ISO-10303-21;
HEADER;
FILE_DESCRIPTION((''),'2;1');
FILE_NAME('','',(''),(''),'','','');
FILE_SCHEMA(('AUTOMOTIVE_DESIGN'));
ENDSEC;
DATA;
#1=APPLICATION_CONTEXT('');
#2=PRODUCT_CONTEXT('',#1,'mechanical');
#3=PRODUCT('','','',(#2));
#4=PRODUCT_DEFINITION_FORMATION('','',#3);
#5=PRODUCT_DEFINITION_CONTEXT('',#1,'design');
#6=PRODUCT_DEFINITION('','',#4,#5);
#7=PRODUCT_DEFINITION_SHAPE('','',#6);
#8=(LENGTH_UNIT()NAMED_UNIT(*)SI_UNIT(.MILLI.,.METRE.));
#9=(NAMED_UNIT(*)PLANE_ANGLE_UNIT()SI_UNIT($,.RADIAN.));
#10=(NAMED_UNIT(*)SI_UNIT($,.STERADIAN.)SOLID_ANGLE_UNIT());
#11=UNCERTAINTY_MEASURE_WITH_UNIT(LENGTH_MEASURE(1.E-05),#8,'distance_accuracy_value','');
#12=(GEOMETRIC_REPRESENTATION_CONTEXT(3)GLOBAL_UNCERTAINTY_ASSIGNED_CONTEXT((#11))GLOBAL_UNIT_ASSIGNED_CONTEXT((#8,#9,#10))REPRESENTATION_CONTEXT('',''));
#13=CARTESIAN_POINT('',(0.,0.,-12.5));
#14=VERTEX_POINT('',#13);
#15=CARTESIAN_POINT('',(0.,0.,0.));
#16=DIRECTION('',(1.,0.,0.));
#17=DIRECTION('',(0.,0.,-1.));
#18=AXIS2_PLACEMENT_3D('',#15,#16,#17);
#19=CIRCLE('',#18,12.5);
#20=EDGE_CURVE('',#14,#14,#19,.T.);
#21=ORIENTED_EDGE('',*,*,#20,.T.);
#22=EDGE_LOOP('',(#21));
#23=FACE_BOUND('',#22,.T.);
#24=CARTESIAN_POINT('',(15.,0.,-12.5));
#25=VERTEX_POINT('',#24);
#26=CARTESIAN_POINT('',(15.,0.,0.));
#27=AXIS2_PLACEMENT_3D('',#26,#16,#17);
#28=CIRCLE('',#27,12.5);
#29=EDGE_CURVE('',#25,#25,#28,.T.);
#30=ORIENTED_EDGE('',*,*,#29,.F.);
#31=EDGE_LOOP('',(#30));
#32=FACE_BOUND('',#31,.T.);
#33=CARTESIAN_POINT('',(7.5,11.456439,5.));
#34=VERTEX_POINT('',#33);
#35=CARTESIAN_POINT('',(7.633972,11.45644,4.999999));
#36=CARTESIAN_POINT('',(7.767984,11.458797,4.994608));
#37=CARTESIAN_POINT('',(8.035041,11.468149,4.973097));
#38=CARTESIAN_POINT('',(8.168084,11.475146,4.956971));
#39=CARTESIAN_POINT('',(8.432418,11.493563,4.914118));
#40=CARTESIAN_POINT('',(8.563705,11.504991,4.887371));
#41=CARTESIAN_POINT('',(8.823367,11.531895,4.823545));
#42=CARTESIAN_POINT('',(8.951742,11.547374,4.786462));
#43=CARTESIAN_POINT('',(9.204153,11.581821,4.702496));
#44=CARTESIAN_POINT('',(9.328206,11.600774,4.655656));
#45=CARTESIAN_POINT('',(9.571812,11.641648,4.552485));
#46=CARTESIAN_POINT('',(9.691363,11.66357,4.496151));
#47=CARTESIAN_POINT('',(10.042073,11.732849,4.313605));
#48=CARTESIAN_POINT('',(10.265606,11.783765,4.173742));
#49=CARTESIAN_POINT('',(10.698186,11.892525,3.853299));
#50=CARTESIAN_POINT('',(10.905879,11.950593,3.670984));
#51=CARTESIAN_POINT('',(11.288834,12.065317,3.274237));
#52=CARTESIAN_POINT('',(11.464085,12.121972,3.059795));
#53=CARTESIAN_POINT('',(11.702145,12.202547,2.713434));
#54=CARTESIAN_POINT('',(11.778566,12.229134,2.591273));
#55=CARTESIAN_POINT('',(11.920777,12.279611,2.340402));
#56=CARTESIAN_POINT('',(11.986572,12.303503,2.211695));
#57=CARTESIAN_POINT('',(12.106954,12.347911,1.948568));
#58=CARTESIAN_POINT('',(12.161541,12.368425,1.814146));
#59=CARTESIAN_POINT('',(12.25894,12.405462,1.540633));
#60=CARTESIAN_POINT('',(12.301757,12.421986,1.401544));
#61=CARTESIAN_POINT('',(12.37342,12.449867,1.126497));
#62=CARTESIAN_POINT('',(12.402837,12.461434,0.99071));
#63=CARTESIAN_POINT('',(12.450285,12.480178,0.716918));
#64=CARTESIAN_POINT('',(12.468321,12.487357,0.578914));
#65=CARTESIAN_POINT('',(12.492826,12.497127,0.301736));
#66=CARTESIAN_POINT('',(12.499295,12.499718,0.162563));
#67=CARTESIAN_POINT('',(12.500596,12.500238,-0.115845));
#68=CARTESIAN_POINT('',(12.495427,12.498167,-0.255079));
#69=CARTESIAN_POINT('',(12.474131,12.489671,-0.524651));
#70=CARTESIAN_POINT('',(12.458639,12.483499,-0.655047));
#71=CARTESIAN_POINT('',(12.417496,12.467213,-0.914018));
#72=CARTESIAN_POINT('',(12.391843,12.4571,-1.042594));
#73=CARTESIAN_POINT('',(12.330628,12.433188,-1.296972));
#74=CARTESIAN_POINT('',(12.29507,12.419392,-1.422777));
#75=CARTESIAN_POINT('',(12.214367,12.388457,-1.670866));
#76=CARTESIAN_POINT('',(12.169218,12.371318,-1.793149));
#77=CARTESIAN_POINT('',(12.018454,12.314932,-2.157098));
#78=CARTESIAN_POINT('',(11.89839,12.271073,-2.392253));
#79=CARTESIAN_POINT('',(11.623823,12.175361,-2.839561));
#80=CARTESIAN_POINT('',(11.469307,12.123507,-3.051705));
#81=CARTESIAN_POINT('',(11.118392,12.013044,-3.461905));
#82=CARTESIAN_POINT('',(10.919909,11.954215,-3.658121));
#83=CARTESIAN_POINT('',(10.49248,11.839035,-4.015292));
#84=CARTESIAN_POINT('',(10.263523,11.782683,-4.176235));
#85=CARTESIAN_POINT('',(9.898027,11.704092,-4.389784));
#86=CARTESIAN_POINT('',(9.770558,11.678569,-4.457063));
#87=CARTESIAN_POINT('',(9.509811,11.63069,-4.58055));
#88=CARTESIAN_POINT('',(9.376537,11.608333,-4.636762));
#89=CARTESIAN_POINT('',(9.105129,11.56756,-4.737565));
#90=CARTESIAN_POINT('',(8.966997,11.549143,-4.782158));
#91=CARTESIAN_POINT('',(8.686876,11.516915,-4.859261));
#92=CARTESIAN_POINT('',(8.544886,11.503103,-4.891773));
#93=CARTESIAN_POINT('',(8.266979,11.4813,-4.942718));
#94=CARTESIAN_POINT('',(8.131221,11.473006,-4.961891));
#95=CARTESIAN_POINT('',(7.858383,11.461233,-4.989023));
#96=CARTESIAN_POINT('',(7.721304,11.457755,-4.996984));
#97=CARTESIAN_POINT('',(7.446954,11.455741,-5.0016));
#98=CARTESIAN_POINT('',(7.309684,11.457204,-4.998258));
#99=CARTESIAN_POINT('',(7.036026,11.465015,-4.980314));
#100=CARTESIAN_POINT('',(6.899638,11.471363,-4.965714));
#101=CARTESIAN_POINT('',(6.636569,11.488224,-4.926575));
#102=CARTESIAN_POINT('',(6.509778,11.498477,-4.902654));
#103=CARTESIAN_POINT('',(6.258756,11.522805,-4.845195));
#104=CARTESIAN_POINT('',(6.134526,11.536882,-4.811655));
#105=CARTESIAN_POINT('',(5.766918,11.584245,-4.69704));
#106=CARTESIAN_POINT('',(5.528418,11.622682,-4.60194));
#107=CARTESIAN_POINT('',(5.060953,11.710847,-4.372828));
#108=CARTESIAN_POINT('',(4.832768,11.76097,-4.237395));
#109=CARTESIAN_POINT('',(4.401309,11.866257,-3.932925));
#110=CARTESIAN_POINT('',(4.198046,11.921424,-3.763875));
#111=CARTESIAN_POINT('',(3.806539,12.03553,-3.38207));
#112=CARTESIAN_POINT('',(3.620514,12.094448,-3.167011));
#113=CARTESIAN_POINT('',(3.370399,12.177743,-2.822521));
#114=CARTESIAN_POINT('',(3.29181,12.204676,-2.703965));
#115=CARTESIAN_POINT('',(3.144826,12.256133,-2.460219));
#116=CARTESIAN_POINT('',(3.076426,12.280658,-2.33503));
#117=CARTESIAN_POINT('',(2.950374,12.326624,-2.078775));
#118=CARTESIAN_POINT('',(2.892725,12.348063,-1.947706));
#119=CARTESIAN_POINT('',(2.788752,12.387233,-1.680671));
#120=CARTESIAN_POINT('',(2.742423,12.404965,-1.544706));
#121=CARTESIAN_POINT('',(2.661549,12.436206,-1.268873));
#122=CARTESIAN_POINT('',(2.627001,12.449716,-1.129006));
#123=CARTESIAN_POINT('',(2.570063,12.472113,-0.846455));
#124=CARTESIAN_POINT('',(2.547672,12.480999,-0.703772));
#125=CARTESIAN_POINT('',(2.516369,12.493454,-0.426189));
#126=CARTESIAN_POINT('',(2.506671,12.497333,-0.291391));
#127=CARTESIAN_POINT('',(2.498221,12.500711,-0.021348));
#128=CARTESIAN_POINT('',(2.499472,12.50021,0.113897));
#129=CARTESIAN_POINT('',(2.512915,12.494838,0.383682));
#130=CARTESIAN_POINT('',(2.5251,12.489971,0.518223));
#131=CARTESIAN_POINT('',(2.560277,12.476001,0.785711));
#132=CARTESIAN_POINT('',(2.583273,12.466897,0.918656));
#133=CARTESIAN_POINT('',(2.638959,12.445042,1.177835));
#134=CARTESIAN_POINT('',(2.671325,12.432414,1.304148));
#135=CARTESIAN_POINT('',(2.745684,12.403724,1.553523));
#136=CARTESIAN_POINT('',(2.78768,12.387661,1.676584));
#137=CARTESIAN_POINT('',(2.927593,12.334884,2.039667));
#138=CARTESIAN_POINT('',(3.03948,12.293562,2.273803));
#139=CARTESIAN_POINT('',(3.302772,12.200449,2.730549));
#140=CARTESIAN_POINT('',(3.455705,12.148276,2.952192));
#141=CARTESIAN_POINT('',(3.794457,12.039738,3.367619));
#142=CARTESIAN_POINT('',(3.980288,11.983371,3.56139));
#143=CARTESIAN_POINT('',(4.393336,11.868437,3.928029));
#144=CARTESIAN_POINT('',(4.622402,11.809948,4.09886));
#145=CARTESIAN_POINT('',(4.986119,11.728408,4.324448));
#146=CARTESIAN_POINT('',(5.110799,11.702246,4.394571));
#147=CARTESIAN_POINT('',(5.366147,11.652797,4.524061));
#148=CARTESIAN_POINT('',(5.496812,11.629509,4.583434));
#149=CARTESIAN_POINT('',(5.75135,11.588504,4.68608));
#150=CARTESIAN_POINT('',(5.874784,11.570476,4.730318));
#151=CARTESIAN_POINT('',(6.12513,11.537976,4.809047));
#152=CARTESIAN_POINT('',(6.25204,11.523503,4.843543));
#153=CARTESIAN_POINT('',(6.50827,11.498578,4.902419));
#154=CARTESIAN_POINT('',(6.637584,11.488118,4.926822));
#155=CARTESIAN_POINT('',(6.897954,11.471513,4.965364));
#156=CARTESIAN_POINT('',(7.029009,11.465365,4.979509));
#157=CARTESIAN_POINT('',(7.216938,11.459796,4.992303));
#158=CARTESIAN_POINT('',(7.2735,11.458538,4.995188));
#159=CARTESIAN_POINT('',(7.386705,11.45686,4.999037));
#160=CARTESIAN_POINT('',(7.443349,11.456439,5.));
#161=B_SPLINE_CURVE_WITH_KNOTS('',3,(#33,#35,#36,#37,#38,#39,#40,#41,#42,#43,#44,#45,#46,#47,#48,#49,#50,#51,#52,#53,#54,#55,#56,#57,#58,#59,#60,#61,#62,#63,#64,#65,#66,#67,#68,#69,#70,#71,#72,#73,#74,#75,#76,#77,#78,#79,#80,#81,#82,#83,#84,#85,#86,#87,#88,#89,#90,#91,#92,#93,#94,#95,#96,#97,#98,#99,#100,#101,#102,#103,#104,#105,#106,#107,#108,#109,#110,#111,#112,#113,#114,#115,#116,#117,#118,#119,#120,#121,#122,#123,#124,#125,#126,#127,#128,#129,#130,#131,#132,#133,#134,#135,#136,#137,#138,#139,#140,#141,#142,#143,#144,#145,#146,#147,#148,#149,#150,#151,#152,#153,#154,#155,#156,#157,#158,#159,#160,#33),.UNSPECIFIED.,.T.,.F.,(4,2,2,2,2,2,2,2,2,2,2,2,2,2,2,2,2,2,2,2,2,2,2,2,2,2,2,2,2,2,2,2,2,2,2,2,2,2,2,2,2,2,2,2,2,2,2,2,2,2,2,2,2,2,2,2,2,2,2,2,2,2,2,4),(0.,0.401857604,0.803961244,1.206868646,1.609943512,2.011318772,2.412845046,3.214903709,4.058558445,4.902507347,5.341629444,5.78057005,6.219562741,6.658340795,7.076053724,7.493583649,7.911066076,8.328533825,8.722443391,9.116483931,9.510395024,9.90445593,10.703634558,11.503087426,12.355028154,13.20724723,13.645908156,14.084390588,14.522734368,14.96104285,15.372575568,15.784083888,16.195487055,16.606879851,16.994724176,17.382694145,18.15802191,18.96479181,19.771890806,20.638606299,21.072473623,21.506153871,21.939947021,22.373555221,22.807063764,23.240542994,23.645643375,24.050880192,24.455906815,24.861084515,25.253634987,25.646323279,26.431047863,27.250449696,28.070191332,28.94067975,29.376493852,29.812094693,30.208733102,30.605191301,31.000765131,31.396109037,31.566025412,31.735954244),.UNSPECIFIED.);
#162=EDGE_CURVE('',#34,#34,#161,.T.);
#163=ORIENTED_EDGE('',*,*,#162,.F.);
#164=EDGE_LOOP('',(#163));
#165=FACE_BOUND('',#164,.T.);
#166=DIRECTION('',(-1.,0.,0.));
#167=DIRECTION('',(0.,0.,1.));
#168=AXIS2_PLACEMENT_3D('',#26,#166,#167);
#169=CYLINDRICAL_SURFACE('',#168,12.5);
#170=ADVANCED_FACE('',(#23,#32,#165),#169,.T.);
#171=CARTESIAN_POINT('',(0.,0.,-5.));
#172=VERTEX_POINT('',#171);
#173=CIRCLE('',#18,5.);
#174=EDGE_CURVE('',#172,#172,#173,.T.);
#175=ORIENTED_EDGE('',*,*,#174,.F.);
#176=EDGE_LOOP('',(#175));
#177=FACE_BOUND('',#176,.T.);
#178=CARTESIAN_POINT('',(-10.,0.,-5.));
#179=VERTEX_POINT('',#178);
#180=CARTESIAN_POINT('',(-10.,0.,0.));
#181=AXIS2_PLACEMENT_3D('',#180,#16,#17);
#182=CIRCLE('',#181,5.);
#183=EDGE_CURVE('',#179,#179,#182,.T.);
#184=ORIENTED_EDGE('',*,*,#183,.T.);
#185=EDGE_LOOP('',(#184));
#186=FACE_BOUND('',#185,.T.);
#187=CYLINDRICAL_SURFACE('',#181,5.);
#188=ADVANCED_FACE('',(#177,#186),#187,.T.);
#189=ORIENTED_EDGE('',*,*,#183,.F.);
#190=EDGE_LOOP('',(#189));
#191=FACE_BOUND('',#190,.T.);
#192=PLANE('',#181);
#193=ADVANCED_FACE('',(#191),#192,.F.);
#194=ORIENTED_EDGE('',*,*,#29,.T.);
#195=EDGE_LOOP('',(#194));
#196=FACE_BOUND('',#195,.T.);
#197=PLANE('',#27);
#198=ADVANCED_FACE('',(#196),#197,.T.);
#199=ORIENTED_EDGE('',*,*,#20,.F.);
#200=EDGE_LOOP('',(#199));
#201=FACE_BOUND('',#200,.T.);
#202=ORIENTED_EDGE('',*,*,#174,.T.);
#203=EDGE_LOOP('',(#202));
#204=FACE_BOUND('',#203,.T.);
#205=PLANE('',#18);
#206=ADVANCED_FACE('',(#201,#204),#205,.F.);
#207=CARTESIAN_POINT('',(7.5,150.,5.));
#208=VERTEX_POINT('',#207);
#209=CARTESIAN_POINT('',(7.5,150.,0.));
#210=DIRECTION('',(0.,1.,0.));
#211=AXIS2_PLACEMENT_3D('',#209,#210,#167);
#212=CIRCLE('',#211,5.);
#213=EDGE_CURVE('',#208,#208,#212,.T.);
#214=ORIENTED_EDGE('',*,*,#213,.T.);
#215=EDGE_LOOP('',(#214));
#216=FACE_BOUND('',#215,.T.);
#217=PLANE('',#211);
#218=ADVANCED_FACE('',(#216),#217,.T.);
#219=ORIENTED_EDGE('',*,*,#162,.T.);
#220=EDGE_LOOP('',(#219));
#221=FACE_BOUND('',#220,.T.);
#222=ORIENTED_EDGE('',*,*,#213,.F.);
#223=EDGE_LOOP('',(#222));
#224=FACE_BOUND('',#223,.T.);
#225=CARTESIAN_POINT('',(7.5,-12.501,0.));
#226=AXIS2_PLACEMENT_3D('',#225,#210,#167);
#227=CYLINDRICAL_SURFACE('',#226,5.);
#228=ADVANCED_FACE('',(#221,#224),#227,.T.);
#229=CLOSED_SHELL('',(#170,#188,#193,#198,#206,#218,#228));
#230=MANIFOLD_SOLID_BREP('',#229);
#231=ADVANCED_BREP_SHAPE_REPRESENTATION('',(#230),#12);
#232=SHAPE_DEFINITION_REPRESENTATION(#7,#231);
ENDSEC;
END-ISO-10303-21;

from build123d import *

# Parameters (mm, degrees)
SKETCH_1_R           = 12.5
EXTRUDE_1_DEPTH      = 15
SKETCH_1_3_R         = 5
EXTRUDE_2_DEPTH      = 10
EXTRUDE_3_REACH      = 165.669
EXTRUDE_3_END_RADIUS = 12.5
SKETCH_2_R           = 5


with BuildPart() as part:
    # 草图1 → 凸台-拉伸1 (new body)
    with BuildSketch(Plane(origin=(0, 0, 0), x_dir=(0, 0, -1), z_dir=(1, 0, 0))):
        Circle(SKETCH_1_R)
    extrude(amount=EXTRUDE_1_DEPTH)

    # 草图1<3> → 凸台-拉伸2 (add)
    with BuildSketch(Plane(origin=(0, 0, 0), x_dir=(0, 0, -1), z_dir=(1, 0, 0))):
        Circle(SKETCH_1_3_R)
    extrude(amount=-EXTRUDE_2_DEPTH)

    # 凸台-拉伸3: up to this cylinder (the profile starts outside it)
    extrude_3_end = Plane(origin=(7.5, 0, 0), z_dir=(-1, 0, 0)) * Cylinder(EXTRUDE_3_END_RADIUS, 357.338, mode=Mode.PRIVATE)
    # 草图2 → 凸台-拉伸3 (add, up to the surface)
    with BuildSketch(Plane(origin=(0, 150, 0), x_dir=(1, 0, 0), z_dir=(0, 1, 0)), mode=Mode.PRIVATE) as extrude_3_sk1:
        with Locations((7.5, 0)):
            Circle(SKETCH_2_R)
    extrude_3_tool1 = extrude(extrude_3_sk1.sketch, amount=-EXTRUDE_3_REACH, mode=Mode.PRIVATE) - extrude_3_end
    add(extrude_3_tool1.solids().sort_by_distance((7.5, 150, 0))[0])


solid = part.part
